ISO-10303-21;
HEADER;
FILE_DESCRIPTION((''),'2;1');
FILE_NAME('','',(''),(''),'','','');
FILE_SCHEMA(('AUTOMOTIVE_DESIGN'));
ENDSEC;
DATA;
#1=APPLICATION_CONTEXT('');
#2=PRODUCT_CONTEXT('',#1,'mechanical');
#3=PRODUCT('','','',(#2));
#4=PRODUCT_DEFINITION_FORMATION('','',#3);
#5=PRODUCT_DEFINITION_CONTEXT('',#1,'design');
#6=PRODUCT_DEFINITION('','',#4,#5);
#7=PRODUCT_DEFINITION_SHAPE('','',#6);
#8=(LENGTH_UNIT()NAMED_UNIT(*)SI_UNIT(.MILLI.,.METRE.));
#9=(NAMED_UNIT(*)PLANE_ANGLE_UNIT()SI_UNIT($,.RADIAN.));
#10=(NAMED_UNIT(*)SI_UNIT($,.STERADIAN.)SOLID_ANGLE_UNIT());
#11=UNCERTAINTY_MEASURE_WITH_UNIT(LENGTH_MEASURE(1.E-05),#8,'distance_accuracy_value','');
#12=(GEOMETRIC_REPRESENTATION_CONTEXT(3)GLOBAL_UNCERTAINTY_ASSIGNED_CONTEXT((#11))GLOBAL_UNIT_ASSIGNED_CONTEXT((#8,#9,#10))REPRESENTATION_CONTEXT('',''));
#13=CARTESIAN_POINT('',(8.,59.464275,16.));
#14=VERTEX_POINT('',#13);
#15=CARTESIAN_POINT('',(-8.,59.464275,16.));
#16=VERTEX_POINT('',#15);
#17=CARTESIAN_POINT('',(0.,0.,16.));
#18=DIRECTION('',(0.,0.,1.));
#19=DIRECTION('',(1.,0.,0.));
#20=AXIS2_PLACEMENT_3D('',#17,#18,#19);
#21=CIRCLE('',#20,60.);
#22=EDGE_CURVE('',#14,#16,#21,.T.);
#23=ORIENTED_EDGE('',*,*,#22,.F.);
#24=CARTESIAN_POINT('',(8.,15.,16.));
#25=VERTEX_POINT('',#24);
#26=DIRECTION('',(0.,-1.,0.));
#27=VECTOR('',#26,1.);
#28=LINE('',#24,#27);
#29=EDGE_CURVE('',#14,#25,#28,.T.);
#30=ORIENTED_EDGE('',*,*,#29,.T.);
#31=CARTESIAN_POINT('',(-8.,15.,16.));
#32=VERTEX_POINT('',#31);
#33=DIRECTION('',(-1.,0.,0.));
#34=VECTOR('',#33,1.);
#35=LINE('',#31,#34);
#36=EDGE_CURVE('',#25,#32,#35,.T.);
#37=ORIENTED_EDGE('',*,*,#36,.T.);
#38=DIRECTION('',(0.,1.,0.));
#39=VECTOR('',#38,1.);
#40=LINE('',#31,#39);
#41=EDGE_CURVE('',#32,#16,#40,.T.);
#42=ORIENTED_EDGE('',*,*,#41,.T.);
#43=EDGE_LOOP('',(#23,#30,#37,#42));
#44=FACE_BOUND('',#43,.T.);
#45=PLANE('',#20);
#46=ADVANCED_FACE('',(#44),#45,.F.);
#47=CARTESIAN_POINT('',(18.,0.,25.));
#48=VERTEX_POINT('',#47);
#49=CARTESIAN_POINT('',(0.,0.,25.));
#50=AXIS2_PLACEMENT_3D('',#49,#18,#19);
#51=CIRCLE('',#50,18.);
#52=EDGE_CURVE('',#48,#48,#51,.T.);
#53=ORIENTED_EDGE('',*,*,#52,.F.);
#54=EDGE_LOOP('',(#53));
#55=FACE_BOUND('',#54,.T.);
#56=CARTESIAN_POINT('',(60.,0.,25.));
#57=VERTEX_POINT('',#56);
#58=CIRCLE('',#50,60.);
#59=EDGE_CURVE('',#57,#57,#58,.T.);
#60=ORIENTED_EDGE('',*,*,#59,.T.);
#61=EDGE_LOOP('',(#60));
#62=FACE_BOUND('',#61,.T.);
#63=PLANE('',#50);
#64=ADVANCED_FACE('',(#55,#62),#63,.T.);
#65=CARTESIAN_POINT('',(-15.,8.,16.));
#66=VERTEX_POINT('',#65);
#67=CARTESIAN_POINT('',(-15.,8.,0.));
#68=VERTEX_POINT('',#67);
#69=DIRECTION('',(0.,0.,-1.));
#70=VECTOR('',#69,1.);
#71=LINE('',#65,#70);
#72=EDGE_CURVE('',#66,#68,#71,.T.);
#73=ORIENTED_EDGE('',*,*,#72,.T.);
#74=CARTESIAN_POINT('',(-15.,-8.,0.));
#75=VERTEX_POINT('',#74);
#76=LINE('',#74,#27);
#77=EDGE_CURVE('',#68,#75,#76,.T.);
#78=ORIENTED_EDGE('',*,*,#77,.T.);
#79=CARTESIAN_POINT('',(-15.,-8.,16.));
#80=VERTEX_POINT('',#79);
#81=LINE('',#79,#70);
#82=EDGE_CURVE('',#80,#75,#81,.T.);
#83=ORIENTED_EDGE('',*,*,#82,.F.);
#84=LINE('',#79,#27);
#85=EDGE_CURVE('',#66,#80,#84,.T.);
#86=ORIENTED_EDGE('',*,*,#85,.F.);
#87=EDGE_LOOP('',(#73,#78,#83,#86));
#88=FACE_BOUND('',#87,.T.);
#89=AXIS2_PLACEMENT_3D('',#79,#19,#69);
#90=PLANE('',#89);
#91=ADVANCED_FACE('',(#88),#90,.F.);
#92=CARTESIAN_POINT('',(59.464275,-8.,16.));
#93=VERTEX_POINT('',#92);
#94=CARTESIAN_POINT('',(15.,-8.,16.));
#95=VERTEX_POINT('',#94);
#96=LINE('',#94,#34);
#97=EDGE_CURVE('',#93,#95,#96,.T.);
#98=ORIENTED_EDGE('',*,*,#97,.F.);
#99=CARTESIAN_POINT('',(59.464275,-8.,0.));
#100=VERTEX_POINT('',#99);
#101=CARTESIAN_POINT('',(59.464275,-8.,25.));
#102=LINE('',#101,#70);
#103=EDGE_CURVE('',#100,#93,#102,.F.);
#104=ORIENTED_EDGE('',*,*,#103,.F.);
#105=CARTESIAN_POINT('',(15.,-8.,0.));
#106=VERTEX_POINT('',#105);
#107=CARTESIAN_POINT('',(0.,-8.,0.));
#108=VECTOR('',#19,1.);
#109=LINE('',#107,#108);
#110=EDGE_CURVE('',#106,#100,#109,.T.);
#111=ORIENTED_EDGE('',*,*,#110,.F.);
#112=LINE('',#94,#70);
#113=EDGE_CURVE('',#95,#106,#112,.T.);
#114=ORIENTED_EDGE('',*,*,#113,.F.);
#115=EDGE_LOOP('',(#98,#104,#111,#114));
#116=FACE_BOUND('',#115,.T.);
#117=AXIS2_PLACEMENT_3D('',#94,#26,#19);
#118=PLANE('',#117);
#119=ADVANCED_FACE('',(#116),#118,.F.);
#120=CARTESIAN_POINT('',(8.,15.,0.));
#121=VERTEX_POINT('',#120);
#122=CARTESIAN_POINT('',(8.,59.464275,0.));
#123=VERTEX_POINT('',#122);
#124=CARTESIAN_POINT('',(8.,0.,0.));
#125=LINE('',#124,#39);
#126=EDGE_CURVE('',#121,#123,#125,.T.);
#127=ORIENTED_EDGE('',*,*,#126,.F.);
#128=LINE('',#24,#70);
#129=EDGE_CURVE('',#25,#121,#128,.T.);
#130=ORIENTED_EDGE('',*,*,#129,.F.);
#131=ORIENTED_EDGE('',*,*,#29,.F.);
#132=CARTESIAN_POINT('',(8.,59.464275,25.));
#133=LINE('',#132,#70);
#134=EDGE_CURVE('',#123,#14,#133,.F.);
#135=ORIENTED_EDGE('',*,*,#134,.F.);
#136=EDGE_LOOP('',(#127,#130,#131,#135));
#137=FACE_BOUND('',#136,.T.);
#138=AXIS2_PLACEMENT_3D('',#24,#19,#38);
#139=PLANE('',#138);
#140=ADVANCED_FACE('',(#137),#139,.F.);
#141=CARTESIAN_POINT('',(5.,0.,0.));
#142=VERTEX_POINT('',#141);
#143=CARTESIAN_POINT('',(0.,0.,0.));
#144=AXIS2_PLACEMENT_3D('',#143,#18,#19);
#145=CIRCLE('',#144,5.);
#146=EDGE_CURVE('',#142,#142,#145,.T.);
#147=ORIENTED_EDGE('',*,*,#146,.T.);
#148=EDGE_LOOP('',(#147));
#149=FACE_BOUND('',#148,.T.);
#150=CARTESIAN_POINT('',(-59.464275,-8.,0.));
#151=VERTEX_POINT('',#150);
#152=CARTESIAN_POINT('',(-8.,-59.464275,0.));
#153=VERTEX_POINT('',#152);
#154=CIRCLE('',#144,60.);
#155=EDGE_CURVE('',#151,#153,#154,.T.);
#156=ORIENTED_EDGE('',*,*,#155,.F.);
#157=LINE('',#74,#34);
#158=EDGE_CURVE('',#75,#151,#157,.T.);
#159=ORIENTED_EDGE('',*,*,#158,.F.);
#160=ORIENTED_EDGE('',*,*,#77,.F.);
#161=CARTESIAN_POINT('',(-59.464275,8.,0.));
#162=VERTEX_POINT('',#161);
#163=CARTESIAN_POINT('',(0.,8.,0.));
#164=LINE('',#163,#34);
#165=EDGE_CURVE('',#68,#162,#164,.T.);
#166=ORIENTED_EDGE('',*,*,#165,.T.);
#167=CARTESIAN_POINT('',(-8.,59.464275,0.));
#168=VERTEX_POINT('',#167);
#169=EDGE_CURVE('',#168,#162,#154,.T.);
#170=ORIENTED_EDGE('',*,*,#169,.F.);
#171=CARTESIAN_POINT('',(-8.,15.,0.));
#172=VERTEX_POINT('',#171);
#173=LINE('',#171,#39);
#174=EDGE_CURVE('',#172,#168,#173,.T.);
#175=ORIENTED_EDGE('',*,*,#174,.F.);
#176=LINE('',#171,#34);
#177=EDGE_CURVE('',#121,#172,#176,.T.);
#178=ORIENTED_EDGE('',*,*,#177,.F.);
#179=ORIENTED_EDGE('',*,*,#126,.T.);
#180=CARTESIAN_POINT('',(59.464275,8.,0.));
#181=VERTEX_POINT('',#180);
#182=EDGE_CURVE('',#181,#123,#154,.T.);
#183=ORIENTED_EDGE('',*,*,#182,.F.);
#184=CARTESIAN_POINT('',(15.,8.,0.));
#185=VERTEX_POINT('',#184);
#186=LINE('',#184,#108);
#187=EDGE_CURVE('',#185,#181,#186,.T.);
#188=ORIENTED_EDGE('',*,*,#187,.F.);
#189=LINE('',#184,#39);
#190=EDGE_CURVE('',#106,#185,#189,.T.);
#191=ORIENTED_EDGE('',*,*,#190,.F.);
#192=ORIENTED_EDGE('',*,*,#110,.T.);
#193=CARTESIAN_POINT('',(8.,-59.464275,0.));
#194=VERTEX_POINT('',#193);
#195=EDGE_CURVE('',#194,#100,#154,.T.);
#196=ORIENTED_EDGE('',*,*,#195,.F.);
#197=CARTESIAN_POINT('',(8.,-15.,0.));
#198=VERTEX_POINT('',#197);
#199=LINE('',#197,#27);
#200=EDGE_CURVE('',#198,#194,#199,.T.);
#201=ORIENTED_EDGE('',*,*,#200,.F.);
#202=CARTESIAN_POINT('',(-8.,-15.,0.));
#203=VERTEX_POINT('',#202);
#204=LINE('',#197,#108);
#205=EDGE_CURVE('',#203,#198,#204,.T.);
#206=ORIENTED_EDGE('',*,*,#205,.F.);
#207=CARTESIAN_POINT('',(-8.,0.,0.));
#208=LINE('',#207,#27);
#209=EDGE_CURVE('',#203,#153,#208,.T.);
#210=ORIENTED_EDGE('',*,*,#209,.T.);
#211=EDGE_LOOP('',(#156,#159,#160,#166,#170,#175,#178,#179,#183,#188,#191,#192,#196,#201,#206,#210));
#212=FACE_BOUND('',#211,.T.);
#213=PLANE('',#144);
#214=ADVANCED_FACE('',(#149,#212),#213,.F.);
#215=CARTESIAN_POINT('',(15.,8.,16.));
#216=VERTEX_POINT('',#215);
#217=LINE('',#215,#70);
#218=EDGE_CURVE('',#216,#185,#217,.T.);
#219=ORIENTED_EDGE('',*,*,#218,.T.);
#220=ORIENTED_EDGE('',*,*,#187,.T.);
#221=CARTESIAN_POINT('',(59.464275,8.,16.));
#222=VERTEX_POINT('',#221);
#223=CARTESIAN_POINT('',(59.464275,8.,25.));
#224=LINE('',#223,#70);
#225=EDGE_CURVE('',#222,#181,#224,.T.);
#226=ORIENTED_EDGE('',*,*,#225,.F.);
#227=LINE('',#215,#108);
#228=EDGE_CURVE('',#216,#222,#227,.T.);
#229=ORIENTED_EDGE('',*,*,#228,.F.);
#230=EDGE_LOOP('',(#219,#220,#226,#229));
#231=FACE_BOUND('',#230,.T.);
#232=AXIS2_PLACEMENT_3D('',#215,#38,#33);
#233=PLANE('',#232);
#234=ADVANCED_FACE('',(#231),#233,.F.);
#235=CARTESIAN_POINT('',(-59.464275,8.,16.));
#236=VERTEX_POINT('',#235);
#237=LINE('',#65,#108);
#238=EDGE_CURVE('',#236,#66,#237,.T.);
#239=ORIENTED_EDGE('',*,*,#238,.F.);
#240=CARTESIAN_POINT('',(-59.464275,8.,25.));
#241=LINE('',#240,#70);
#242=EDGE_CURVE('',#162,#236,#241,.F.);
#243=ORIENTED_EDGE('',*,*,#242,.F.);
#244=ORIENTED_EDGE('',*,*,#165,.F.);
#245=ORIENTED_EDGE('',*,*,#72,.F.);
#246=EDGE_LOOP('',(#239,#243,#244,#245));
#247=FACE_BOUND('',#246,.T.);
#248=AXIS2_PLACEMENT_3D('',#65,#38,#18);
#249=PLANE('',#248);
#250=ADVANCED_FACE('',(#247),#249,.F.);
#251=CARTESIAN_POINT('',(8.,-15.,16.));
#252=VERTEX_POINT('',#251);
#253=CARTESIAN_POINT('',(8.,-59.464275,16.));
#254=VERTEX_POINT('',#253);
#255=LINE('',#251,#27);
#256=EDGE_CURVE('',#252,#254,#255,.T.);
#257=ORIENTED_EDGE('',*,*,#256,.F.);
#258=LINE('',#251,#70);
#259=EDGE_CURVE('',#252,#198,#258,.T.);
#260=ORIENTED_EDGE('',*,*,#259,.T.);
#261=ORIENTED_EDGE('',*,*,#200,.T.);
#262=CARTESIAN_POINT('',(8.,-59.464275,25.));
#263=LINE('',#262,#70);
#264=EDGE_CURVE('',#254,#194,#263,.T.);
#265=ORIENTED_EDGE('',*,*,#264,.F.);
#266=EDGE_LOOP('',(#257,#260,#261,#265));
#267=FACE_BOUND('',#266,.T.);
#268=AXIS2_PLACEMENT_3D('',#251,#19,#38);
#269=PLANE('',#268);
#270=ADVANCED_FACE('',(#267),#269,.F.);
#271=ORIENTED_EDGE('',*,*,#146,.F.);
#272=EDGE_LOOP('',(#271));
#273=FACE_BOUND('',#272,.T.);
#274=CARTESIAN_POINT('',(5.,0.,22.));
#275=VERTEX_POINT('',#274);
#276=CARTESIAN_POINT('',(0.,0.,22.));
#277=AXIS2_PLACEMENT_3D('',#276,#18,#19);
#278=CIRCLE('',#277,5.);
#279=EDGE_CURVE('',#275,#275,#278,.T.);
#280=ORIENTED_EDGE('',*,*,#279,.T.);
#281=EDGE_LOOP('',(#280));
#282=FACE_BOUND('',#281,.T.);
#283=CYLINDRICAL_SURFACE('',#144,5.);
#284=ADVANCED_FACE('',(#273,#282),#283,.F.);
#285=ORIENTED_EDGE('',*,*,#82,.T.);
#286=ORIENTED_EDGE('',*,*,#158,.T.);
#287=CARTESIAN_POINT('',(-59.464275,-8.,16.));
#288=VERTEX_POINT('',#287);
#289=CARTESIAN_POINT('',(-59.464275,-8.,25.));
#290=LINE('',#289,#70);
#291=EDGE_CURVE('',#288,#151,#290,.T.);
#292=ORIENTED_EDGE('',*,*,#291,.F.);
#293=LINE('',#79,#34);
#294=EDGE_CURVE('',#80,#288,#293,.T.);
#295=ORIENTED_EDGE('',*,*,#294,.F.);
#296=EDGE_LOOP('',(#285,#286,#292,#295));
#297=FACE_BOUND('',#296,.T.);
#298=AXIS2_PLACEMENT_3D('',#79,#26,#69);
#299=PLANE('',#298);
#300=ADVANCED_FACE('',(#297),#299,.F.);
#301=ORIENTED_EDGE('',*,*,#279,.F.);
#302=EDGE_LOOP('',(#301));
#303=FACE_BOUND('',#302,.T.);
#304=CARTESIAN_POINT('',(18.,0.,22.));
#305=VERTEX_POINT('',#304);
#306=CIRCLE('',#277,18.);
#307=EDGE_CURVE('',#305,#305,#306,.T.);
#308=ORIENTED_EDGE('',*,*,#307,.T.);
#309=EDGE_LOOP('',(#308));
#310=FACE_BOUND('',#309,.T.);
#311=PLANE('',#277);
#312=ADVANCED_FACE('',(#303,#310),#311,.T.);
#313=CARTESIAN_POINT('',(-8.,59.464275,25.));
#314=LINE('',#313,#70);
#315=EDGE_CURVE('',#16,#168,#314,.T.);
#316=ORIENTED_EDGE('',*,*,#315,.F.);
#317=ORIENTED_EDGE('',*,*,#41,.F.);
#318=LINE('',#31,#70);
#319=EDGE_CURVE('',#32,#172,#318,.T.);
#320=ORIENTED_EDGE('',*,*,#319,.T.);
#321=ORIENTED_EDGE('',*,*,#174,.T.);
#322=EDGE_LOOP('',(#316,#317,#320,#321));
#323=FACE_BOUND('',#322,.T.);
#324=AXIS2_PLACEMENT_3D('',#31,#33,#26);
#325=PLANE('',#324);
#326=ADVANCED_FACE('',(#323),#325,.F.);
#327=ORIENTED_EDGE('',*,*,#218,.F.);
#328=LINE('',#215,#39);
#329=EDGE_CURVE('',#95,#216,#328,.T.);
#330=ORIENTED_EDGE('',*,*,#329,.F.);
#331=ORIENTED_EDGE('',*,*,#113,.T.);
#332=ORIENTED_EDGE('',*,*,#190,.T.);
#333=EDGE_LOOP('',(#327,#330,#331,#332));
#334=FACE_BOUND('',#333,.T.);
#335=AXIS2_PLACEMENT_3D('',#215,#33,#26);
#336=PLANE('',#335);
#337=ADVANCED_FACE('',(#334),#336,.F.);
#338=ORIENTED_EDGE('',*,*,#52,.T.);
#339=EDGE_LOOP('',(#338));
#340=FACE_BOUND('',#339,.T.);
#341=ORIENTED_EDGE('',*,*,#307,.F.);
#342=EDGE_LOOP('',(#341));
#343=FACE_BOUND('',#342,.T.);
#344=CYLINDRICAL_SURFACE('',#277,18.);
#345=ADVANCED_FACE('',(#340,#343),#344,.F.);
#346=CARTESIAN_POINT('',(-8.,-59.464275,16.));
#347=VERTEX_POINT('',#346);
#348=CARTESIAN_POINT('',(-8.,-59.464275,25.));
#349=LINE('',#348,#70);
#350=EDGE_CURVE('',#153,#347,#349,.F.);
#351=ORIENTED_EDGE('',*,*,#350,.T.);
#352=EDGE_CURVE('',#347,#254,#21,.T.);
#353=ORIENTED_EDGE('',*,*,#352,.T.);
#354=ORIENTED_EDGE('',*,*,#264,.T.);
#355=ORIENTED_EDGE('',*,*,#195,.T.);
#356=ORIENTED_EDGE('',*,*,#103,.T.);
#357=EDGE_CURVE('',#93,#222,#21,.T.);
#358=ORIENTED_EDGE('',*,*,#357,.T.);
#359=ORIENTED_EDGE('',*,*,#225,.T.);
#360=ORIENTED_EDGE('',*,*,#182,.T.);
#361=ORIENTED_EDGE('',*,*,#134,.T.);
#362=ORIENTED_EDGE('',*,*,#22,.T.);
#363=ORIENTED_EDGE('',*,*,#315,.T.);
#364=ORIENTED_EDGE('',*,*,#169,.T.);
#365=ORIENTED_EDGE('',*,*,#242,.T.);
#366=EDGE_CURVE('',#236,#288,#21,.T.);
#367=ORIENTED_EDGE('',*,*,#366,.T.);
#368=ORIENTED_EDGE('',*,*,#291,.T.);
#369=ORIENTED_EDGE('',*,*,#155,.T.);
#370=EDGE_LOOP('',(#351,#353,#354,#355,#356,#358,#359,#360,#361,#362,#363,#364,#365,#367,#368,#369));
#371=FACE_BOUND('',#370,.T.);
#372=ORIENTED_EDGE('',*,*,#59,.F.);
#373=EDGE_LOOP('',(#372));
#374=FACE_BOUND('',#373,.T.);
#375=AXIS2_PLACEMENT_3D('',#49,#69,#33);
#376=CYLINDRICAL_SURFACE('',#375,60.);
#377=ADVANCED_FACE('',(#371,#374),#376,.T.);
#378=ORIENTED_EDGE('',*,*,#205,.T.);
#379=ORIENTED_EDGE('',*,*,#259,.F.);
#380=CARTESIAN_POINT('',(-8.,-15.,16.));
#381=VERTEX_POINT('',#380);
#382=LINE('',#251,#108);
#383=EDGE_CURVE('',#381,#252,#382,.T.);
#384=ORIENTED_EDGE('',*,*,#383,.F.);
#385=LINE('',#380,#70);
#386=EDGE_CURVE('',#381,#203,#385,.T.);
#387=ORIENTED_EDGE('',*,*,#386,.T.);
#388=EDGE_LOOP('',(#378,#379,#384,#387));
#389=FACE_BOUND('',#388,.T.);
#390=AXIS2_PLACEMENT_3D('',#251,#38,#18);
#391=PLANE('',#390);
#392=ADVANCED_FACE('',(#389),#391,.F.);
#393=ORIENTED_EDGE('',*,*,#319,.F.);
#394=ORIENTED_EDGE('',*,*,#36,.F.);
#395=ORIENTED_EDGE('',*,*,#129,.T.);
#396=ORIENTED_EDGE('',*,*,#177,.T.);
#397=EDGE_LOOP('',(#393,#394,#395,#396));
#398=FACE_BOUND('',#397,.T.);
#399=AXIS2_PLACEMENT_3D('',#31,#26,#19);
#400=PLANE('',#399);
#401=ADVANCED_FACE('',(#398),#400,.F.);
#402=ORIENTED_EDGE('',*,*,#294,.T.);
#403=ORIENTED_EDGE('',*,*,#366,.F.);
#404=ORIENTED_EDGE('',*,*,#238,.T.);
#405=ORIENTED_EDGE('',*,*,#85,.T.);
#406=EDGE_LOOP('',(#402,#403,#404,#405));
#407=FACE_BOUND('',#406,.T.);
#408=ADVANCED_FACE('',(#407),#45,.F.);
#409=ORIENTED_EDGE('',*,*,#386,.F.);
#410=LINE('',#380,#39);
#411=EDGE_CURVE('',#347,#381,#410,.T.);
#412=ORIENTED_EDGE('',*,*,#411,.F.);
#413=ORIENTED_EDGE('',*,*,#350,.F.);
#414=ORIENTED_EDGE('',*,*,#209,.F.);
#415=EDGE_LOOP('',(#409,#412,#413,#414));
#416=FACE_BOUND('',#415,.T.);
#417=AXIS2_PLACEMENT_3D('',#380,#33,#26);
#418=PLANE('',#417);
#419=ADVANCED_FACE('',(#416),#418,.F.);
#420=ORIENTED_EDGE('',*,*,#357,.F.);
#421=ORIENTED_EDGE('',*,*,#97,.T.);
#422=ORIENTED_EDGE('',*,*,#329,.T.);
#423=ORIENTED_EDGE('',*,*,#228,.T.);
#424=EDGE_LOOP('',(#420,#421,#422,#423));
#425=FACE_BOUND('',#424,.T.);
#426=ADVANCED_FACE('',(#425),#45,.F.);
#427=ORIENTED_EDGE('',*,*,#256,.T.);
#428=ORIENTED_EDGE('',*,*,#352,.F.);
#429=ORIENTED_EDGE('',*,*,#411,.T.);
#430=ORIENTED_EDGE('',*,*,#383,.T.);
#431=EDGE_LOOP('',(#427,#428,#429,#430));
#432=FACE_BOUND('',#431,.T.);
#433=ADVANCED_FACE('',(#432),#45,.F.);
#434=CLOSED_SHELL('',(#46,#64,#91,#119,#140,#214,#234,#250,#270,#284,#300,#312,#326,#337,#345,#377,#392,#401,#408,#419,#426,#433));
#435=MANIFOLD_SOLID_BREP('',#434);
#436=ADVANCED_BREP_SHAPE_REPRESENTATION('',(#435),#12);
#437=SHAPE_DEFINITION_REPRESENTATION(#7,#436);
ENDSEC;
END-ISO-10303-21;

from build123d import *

# Parameters (mm, degrees)
ESQUISSE1_R                  = 60
BOSS_EXTRU_1_DEPTH           = 25
ESQUISSE2_R                  = 18
ENL_V_MAT_EXTRU_1_DEPTH      = 3
ENL_V_MAT_EXTRU_2_DEPTH      = 88.658428003
ENL_V_MAT_EXTRU_2_DEPTH_BACK = 88.658428003
ESQUISSE3_R                  = 5
ESQUISSE4_W                  = 45
ESQUISSE4_H                  = 16
ESQUISSE4_W_2                = 16
ESQUISSE4_H_2                = 45
ENL_V_MAT_EXTRU_3_DEPTH      = 16


with BuildPart() as part:
    # Esquisse1 → Boss.-Extru.1 (new body)
    with BuildSketch(Plane.XY):
        Circle(ESQUISSE1_R)
    extrude(amount=BOSS_EXTRU_1_DEPTH)

    # Esquisse2 → Enlèv. mat.-Extru.1 (cut)
    with BuildSketch(Plane.XY.offset(25)):
        Circle(ESQUISSE2_R)
    extrude(amount=-ENL_V_MAT_EXTRU_1_DEPTH, mode=Mode.SUBTRACT)

    # Esquisse3 → Enlèv. mat.-Extru.2 (cut, two sides: drawn at the far end of the back side and taken through both)
    with BuildSketch(Plane.XY.offset(22).offset(-ENL_V_MAT_EXTRU_2_DEPTH_BACK)):
        Circle(ESQUISSE3_R)
    extrude(amount=ENL_V_MAT_EXTRU_2_DEPTH + ENL_V_MAT_EXTRU_2_DEPTH_BACK, mode=Mode.SUBTRACT)

    # Esquisse4 → Enlèv. mat.-Extru.3 (cut)
    with BuildSketch(Plane(origin=(0, 0, 0), x_dir=(-1, 0, 0), z_dir=(0, 0, -1))):
        with Locations((37.5, 0)):
            Rectangle(ESQUISSE4_W, ESQUISSE4_H)
        with Locations((0, -37.5)):
            Rectangle(ESQUISSE4_W_2, ESQUISSE4_H_2)
        with Locations((-37.5, 0)):
            Rectangle(ESQUISSE4_W, ESQUISSE4_H)
        with Locations((0, 37.5)):
            Rectangle(ESQUISSE4_W_2, ESQUISSE4_H_2)
    extrude(amount=-ENL_V_MAT_EXTRU_3_DEPTH, mode=Mode.SUBTRACT)


solid = part.part
